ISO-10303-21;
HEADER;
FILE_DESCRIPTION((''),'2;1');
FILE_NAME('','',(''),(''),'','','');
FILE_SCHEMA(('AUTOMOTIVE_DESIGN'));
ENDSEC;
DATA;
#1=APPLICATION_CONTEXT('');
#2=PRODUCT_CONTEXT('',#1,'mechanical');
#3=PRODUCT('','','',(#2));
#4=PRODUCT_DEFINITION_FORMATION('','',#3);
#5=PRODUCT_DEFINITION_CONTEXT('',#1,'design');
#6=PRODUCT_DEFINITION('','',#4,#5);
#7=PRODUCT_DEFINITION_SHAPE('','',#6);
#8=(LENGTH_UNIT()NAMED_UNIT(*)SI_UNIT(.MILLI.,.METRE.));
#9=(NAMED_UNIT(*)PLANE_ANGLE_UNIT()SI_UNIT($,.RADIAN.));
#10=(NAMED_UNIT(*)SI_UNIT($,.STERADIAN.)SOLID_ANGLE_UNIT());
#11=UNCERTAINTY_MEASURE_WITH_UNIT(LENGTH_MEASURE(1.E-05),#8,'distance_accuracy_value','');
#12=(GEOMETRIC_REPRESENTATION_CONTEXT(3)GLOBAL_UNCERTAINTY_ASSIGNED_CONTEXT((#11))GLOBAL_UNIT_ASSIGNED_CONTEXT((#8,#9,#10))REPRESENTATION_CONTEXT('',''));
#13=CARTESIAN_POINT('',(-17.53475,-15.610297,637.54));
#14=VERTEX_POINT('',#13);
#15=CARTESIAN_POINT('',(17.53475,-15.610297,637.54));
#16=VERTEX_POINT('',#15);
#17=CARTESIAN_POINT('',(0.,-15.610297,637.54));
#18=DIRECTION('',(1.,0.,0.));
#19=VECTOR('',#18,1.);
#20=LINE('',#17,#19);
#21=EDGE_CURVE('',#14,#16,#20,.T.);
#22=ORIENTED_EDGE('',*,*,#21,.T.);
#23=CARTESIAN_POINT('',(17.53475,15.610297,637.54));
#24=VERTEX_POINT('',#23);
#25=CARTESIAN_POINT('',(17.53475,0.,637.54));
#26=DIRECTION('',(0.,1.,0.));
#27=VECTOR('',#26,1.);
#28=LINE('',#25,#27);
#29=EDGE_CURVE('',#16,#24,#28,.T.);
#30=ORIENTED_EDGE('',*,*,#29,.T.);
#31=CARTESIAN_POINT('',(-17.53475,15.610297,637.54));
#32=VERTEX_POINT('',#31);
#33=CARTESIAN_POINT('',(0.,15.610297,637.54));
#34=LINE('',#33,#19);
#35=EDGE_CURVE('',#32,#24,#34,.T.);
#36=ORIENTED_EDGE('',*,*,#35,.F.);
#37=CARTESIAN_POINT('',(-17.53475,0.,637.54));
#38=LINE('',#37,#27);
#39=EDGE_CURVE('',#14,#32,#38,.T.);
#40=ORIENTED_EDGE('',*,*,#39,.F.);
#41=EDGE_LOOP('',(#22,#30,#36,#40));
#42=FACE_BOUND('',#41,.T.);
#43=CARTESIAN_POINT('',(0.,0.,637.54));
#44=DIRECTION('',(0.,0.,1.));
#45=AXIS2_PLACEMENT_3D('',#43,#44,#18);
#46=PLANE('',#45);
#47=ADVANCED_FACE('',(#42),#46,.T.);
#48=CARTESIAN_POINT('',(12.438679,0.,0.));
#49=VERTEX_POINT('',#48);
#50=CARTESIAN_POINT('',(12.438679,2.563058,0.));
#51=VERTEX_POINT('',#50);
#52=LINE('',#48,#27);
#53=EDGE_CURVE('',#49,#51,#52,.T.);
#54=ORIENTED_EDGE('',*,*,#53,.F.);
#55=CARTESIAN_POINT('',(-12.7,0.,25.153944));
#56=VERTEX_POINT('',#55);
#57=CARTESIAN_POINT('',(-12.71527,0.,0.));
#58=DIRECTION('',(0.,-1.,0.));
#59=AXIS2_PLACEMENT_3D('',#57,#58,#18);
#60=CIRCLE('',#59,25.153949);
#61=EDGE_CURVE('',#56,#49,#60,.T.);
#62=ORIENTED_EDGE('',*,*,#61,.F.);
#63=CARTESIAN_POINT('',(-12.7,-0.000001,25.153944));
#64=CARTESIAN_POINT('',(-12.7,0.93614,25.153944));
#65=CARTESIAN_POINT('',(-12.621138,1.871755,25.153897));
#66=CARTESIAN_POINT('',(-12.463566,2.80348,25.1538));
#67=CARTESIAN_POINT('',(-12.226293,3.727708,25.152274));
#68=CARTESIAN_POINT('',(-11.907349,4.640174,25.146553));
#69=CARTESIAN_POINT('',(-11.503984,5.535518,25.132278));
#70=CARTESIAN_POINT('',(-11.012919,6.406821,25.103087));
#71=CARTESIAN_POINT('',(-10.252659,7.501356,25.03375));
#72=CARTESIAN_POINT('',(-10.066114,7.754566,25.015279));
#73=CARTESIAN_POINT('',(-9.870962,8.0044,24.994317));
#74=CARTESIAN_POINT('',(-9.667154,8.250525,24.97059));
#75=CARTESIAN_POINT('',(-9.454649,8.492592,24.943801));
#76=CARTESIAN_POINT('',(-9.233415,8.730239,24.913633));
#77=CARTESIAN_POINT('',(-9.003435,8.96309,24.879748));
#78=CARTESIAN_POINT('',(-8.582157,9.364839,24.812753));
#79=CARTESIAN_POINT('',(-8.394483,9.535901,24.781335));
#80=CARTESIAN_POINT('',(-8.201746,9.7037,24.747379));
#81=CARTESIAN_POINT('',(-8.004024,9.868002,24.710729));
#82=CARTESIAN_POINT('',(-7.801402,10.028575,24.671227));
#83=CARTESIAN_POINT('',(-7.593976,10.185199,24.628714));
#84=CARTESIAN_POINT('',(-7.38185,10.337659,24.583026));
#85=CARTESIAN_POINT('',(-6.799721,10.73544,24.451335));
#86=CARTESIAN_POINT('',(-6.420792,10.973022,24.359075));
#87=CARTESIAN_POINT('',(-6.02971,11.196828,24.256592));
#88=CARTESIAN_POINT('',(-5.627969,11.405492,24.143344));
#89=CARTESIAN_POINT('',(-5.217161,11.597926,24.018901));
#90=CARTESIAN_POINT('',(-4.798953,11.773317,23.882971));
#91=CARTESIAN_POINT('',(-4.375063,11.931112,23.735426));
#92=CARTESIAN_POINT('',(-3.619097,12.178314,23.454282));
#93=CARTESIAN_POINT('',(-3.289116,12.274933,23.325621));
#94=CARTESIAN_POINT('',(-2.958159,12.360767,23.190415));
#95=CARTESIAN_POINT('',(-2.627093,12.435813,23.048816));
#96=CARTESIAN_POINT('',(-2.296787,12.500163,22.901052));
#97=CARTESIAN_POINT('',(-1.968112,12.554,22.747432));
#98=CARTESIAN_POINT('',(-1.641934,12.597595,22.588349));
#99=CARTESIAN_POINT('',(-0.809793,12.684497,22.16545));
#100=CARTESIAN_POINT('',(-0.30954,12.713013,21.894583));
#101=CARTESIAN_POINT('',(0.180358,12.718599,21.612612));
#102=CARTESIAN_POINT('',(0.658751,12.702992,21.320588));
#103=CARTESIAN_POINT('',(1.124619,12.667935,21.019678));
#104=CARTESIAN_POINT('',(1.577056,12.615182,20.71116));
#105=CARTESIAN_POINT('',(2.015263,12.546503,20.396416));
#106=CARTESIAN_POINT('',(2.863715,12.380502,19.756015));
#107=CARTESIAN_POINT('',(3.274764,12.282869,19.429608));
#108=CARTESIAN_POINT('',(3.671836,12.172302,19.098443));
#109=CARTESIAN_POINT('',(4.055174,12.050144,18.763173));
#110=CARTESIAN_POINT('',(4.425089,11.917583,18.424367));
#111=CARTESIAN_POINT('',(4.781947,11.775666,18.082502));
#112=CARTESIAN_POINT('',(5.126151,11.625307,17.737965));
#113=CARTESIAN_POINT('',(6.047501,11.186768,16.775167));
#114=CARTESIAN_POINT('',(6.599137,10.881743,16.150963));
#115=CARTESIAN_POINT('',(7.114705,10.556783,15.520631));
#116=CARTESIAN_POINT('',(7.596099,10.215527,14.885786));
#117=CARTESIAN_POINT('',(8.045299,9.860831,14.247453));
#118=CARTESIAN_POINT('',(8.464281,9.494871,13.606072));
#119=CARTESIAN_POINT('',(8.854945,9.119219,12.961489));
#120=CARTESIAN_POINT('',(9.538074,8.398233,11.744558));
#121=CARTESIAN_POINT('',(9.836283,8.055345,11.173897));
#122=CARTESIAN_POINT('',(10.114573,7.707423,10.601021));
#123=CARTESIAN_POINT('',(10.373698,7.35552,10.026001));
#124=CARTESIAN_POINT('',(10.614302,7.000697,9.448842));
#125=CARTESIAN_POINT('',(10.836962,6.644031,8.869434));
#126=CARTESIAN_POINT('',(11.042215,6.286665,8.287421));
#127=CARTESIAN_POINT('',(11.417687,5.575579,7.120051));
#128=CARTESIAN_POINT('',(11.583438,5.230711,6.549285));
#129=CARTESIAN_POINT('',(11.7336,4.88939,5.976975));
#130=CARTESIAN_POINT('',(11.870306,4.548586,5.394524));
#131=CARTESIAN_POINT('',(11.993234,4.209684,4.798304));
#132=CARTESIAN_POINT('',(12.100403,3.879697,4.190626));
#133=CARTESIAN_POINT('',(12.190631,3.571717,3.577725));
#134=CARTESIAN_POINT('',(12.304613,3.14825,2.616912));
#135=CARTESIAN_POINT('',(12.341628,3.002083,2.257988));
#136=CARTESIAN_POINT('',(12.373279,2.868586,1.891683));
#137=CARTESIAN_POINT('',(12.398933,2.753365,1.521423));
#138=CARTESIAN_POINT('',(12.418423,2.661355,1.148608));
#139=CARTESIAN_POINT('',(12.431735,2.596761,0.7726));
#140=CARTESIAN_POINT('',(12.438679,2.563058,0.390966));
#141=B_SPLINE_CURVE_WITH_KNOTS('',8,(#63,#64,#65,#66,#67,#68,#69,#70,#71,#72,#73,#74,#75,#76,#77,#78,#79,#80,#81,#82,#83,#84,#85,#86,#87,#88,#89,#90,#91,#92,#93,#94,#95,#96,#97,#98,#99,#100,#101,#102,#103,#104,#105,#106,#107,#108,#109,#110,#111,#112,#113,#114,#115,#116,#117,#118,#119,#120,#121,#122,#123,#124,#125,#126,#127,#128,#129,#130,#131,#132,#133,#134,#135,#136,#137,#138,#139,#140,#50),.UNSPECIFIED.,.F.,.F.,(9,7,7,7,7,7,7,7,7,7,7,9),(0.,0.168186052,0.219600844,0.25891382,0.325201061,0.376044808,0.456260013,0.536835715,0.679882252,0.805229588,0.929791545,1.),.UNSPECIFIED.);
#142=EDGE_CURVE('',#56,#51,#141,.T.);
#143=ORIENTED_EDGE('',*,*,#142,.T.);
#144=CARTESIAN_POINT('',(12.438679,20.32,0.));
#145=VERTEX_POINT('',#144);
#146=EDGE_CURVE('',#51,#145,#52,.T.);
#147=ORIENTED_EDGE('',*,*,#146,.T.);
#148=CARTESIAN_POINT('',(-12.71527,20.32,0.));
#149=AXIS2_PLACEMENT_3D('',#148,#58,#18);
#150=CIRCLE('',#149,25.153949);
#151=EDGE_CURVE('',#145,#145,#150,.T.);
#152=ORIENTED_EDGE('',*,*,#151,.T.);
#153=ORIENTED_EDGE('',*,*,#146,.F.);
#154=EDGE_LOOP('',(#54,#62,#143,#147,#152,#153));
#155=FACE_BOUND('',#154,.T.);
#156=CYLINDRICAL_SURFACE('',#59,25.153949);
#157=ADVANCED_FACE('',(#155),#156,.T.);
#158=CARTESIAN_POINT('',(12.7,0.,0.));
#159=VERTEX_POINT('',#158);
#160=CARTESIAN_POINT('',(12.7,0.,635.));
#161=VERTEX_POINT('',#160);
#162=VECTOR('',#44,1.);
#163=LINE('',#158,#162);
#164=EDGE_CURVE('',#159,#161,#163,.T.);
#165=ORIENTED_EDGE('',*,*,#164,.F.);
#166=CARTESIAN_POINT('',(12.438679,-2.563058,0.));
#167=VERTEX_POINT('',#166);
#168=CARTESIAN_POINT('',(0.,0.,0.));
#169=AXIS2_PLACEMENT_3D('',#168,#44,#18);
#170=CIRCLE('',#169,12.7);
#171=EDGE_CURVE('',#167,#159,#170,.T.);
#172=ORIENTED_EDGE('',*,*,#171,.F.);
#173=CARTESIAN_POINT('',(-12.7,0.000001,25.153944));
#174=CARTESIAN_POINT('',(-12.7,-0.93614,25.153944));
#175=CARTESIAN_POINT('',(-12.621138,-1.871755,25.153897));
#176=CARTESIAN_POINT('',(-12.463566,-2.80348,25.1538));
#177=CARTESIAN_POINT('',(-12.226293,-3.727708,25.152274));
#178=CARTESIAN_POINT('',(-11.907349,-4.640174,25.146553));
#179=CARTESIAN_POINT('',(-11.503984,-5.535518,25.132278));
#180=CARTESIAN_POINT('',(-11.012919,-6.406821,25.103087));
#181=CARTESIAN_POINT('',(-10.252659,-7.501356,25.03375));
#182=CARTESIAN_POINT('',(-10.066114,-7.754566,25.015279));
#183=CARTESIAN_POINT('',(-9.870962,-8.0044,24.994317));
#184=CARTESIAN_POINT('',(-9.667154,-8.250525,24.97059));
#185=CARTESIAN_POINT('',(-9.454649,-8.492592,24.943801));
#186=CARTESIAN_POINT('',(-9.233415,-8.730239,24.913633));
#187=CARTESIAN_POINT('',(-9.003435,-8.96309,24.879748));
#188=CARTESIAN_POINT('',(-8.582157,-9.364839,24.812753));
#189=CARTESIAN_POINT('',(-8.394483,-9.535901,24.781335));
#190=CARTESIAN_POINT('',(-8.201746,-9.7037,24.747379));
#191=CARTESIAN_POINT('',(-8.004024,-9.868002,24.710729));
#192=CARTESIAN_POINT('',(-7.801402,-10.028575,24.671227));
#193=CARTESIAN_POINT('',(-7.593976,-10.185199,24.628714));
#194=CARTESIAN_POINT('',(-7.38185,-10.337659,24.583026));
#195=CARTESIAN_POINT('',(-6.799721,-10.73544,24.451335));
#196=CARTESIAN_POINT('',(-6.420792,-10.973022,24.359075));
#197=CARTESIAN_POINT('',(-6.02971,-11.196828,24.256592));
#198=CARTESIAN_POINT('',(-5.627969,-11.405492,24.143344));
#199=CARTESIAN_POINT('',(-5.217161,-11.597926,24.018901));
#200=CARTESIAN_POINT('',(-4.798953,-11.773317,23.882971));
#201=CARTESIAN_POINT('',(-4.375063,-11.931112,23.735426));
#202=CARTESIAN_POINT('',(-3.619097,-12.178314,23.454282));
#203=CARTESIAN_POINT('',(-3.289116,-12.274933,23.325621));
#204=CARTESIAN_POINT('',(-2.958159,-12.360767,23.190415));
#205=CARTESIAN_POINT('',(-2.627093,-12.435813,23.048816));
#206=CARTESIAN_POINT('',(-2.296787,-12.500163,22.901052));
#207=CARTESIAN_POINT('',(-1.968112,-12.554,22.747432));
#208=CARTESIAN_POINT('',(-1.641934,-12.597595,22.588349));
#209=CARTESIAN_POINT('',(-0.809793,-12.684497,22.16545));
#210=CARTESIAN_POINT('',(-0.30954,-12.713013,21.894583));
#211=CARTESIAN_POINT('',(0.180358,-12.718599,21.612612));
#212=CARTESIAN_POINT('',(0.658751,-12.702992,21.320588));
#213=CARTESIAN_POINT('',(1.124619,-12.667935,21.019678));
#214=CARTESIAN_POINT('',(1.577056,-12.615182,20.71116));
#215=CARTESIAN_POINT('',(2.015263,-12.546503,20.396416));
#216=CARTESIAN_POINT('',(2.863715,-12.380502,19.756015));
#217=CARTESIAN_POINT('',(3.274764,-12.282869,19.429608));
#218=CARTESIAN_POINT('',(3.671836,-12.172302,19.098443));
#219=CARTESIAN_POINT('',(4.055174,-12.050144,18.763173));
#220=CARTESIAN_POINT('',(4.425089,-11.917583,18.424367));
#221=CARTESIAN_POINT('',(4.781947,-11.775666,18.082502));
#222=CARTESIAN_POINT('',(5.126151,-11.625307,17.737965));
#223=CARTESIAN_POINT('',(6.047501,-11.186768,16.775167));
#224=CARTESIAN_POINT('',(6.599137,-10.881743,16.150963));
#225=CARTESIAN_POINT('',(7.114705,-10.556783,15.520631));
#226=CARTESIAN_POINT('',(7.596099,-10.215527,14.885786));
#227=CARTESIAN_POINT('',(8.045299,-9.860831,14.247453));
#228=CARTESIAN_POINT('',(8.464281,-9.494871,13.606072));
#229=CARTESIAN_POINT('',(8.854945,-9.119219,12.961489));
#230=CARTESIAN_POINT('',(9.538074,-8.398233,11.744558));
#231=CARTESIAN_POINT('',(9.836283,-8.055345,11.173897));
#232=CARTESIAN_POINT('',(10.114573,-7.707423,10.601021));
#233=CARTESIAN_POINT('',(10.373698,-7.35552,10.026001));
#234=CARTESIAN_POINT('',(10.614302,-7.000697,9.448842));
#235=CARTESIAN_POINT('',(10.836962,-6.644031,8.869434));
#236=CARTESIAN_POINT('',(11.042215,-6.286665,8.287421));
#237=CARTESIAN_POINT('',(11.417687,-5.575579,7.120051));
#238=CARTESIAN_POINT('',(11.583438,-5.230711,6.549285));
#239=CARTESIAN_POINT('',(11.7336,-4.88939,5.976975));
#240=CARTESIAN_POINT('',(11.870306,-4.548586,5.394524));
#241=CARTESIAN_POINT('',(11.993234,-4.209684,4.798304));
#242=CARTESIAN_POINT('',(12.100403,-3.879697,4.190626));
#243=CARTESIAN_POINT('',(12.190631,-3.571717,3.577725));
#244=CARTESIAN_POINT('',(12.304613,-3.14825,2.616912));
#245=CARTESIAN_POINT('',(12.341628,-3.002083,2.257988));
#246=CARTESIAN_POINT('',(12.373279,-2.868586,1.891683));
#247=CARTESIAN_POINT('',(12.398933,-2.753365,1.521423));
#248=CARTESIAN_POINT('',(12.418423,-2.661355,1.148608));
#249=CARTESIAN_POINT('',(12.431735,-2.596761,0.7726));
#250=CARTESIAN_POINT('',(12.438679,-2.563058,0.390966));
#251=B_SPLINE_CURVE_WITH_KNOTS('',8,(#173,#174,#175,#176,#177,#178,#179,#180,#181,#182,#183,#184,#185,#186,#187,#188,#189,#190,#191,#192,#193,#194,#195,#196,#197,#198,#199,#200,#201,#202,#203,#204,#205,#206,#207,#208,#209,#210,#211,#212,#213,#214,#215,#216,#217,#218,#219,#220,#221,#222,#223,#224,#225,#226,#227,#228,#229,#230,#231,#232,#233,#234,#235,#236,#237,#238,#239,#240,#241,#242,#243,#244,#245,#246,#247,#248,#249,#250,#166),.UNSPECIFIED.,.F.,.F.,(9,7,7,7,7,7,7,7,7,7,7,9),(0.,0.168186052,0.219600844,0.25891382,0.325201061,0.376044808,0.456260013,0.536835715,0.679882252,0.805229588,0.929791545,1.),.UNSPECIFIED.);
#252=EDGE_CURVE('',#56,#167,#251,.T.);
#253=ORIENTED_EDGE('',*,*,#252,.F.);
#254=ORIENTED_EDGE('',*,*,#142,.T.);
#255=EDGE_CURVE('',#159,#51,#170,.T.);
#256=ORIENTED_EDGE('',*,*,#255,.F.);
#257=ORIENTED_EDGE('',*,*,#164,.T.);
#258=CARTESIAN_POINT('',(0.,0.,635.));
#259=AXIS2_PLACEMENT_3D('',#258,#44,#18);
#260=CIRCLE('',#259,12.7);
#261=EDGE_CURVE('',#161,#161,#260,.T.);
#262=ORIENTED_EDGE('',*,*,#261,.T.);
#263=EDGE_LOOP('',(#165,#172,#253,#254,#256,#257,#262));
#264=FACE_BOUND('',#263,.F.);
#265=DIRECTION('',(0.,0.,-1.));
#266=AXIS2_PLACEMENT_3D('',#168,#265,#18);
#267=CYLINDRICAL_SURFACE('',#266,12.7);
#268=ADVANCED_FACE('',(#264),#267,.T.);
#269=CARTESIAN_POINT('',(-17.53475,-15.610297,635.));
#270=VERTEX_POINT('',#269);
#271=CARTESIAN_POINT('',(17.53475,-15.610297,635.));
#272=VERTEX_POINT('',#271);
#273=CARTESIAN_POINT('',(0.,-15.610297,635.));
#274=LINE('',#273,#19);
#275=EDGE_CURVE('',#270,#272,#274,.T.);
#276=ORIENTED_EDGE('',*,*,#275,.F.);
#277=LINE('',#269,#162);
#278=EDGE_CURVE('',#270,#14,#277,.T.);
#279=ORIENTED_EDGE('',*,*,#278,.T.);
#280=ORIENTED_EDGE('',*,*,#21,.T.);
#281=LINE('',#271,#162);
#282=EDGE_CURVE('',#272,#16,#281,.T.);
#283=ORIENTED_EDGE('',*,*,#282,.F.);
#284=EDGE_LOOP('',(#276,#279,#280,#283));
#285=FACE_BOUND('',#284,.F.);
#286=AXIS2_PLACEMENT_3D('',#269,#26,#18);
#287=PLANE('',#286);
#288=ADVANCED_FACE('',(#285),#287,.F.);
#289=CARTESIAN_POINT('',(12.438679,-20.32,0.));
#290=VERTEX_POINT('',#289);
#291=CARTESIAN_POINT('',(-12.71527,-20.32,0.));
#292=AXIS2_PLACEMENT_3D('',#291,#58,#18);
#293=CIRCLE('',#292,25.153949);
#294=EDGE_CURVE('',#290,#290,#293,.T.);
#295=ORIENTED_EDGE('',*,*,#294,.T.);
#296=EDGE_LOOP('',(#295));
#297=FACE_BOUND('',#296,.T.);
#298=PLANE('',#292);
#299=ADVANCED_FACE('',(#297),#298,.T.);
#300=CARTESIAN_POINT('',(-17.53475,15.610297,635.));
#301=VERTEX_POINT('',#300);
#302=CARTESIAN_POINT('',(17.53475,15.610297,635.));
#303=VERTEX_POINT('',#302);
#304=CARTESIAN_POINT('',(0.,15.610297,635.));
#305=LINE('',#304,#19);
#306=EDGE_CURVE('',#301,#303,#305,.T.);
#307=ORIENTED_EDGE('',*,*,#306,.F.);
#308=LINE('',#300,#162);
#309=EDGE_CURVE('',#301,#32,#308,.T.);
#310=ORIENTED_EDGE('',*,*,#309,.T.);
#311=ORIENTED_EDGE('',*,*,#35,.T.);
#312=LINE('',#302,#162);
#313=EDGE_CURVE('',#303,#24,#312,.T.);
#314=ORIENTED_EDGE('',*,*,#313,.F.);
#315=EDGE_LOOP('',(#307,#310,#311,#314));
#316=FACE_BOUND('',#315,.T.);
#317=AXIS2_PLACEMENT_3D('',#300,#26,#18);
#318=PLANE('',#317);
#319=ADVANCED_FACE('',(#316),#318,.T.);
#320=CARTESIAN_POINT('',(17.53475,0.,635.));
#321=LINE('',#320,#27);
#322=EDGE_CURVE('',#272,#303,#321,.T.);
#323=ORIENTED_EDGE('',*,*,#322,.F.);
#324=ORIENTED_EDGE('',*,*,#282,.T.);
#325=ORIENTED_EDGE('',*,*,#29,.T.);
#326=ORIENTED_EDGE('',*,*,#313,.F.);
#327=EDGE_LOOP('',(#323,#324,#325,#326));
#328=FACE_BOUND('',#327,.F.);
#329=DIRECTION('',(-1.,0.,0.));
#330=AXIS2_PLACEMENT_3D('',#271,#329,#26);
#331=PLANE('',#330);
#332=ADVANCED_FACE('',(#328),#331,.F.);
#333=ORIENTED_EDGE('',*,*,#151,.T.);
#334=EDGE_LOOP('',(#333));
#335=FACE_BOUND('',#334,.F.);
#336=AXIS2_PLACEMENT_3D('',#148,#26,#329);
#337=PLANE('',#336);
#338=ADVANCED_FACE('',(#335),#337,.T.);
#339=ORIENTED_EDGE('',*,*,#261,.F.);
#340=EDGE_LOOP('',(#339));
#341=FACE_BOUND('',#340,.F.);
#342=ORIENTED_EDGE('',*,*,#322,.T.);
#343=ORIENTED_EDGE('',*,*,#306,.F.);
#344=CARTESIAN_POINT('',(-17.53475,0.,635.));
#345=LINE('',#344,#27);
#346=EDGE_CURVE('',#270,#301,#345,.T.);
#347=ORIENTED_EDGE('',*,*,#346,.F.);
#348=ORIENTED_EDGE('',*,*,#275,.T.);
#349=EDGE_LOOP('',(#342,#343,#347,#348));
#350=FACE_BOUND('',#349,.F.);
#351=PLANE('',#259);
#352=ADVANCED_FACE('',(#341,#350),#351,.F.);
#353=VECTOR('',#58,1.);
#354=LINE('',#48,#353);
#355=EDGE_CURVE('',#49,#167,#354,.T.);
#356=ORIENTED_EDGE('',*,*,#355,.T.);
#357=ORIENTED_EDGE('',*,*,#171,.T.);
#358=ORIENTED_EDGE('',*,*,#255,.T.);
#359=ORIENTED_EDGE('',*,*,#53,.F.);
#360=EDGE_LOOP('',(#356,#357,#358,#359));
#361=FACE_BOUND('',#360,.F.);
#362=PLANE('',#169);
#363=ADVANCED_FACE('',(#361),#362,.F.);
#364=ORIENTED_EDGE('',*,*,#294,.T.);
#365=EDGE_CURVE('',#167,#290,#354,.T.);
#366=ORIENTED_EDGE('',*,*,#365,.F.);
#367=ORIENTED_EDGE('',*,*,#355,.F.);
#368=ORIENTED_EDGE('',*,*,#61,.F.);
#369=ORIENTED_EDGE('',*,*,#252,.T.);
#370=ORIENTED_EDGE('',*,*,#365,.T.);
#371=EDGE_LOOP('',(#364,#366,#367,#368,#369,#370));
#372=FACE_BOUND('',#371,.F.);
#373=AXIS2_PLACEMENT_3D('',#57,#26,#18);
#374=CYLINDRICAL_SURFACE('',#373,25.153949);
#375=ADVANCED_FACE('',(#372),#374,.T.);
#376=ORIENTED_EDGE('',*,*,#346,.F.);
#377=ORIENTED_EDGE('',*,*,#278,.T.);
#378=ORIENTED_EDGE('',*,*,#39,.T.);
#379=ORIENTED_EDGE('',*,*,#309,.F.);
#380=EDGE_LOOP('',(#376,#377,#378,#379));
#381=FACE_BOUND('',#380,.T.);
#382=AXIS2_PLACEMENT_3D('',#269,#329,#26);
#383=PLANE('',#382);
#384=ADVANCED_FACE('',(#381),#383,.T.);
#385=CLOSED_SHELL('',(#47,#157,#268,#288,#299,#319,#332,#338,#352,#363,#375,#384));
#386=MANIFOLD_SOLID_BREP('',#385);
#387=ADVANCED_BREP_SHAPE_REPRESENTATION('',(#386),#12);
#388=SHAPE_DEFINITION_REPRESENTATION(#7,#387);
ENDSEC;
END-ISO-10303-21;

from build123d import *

# Parameters (mm, degrees)
F0_R     = 12.7
F1_DEPTH = 635
F2_R     = 25.153949
F3_DEPTH = 20.32
F5_W     = 35.0695
F5_H     = 31.220594
F6_DEPTH = 2.54


with BuildPart() as f1:
    # F0 (on Top) → F1 (new body)
    with BuildSketch(Plane.XY):
        Circle(F0_R)
    extrude(amount=F1_DEPTH)

    # F2 (on Front) → F3 (join)
    with BuildSketch(Plane.XZ):
        with Locations((-12.71527, 0)):
            Circle(F2_R)
    extrude(amount=F3_DEPTH)

    # F4: F1 across plane


with BuildPart() as f1_1:
    add(f1.part)
    add(f1.part.mirror(Plane.XZ))

    # F5 (on face) → F6 (join)
    with BuildSketch(Plane.XY.offset(635)):
        Rectangle(F5_W, F5_H)
    extrude(amount=F6_DEPTH)


solid = f1_1.part
